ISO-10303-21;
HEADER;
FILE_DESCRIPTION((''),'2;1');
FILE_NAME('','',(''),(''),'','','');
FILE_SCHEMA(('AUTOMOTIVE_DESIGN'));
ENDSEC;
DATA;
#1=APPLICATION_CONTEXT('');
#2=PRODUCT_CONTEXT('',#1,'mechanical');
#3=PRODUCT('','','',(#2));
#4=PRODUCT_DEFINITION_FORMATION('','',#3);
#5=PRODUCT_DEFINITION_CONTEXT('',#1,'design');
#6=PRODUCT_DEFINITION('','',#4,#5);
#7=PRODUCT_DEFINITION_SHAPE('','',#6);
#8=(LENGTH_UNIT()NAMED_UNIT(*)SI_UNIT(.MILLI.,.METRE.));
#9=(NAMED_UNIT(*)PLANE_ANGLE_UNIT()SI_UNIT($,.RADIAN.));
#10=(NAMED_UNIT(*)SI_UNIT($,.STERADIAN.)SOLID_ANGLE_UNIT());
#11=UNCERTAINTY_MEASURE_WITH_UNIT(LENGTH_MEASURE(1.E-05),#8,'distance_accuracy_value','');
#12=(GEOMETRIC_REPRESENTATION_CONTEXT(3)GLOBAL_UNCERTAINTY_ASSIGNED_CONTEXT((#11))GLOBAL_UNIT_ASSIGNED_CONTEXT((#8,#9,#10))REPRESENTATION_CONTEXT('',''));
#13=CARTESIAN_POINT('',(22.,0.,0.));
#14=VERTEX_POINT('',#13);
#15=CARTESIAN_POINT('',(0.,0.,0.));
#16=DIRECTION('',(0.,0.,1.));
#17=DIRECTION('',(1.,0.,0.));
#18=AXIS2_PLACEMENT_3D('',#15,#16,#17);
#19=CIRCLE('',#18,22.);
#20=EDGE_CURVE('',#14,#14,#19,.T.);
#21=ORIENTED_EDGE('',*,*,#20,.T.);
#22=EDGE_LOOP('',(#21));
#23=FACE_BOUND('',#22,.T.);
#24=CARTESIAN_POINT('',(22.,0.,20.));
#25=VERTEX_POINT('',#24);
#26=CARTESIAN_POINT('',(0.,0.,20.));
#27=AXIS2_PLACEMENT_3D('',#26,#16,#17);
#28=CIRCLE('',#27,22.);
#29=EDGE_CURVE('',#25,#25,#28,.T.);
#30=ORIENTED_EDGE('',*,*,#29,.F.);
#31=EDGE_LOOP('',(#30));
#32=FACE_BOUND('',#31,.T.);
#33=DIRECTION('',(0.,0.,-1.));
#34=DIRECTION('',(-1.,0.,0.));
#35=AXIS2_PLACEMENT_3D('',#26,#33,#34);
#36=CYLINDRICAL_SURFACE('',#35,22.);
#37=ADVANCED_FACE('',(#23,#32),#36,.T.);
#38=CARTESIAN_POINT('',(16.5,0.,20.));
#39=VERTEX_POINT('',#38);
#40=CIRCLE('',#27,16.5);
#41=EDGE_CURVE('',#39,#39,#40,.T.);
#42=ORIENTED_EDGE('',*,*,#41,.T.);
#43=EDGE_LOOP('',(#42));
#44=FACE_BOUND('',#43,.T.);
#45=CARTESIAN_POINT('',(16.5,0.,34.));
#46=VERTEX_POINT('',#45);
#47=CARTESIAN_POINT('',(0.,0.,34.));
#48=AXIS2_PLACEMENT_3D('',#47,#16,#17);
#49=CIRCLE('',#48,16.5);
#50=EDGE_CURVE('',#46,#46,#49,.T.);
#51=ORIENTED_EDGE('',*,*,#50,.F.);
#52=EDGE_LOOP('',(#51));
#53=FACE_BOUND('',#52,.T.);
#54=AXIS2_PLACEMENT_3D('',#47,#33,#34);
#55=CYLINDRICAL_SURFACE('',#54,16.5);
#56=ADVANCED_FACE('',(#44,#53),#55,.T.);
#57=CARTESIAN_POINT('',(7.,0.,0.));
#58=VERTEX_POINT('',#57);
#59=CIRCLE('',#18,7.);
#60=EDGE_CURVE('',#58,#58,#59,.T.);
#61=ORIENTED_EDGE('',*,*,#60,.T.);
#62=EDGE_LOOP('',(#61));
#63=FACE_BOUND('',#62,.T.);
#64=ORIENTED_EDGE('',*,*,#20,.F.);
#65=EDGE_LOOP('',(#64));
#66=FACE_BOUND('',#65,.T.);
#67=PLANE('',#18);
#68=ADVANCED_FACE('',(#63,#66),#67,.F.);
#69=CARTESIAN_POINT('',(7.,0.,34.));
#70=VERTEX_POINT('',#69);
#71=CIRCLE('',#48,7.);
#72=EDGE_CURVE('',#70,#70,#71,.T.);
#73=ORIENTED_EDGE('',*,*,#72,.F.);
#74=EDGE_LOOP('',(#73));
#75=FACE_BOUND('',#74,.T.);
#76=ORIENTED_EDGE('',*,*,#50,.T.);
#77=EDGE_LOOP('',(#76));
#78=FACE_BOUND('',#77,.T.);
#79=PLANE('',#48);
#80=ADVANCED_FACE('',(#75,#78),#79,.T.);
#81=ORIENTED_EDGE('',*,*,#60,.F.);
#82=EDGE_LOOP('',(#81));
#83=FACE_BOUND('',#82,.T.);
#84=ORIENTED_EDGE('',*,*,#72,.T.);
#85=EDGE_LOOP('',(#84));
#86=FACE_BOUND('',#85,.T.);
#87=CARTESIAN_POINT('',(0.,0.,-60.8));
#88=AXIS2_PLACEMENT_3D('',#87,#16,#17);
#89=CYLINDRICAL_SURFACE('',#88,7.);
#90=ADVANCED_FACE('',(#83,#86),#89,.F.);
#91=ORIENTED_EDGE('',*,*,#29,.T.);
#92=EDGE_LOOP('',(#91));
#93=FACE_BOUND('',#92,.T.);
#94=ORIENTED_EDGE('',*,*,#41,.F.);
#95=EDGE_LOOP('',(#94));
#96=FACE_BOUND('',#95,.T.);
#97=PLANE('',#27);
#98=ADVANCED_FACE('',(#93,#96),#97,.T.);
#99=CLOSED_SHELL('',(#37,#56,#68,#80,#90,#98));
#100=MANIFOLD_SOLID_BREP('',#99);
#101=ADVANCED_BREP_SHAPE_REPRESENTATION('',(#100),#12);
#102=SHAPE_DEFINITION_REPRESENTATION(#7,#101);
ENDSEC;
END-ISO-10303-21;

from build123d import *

# Parameters (mm, degrees)
SKETCH_1_R          = 22
EXTRUDE_1_DEPTH     = 20
SKETCH_3_R          = 16.5
EXTRUDE_2_DEPTH     = 14
SKETCH_5_R          = 7
CUT_EXTRUDE_3_DEPTH = 94.8


with BuildPart() as part:
    # 草图1 → 凸台-拉伸1 (new body)
    with BuildSketch(Plane.XY):
        Circle(SKETCH_1_R)
    extrude(amount=EXTRUDE_1_DEPTH)

    # 草图3 → 凸台-拉伸2 (add)
    with BuildSketch(Plane.XY.offset(20)):
        Circle(SKETCH_3_R)
    extrude(amount=EXTRUDE_2_DEPTH)

    # 草图5 → 切除-拉伸3 (cut)
    with BuildSketch(Plane.XY.offset(34)):
        Circle(SKETCH_5_R)
    extrude(amount=-CUT_EXTRUDE_3_DEPTH, mode=Mode.SUBTRACT)


solid = part.part
